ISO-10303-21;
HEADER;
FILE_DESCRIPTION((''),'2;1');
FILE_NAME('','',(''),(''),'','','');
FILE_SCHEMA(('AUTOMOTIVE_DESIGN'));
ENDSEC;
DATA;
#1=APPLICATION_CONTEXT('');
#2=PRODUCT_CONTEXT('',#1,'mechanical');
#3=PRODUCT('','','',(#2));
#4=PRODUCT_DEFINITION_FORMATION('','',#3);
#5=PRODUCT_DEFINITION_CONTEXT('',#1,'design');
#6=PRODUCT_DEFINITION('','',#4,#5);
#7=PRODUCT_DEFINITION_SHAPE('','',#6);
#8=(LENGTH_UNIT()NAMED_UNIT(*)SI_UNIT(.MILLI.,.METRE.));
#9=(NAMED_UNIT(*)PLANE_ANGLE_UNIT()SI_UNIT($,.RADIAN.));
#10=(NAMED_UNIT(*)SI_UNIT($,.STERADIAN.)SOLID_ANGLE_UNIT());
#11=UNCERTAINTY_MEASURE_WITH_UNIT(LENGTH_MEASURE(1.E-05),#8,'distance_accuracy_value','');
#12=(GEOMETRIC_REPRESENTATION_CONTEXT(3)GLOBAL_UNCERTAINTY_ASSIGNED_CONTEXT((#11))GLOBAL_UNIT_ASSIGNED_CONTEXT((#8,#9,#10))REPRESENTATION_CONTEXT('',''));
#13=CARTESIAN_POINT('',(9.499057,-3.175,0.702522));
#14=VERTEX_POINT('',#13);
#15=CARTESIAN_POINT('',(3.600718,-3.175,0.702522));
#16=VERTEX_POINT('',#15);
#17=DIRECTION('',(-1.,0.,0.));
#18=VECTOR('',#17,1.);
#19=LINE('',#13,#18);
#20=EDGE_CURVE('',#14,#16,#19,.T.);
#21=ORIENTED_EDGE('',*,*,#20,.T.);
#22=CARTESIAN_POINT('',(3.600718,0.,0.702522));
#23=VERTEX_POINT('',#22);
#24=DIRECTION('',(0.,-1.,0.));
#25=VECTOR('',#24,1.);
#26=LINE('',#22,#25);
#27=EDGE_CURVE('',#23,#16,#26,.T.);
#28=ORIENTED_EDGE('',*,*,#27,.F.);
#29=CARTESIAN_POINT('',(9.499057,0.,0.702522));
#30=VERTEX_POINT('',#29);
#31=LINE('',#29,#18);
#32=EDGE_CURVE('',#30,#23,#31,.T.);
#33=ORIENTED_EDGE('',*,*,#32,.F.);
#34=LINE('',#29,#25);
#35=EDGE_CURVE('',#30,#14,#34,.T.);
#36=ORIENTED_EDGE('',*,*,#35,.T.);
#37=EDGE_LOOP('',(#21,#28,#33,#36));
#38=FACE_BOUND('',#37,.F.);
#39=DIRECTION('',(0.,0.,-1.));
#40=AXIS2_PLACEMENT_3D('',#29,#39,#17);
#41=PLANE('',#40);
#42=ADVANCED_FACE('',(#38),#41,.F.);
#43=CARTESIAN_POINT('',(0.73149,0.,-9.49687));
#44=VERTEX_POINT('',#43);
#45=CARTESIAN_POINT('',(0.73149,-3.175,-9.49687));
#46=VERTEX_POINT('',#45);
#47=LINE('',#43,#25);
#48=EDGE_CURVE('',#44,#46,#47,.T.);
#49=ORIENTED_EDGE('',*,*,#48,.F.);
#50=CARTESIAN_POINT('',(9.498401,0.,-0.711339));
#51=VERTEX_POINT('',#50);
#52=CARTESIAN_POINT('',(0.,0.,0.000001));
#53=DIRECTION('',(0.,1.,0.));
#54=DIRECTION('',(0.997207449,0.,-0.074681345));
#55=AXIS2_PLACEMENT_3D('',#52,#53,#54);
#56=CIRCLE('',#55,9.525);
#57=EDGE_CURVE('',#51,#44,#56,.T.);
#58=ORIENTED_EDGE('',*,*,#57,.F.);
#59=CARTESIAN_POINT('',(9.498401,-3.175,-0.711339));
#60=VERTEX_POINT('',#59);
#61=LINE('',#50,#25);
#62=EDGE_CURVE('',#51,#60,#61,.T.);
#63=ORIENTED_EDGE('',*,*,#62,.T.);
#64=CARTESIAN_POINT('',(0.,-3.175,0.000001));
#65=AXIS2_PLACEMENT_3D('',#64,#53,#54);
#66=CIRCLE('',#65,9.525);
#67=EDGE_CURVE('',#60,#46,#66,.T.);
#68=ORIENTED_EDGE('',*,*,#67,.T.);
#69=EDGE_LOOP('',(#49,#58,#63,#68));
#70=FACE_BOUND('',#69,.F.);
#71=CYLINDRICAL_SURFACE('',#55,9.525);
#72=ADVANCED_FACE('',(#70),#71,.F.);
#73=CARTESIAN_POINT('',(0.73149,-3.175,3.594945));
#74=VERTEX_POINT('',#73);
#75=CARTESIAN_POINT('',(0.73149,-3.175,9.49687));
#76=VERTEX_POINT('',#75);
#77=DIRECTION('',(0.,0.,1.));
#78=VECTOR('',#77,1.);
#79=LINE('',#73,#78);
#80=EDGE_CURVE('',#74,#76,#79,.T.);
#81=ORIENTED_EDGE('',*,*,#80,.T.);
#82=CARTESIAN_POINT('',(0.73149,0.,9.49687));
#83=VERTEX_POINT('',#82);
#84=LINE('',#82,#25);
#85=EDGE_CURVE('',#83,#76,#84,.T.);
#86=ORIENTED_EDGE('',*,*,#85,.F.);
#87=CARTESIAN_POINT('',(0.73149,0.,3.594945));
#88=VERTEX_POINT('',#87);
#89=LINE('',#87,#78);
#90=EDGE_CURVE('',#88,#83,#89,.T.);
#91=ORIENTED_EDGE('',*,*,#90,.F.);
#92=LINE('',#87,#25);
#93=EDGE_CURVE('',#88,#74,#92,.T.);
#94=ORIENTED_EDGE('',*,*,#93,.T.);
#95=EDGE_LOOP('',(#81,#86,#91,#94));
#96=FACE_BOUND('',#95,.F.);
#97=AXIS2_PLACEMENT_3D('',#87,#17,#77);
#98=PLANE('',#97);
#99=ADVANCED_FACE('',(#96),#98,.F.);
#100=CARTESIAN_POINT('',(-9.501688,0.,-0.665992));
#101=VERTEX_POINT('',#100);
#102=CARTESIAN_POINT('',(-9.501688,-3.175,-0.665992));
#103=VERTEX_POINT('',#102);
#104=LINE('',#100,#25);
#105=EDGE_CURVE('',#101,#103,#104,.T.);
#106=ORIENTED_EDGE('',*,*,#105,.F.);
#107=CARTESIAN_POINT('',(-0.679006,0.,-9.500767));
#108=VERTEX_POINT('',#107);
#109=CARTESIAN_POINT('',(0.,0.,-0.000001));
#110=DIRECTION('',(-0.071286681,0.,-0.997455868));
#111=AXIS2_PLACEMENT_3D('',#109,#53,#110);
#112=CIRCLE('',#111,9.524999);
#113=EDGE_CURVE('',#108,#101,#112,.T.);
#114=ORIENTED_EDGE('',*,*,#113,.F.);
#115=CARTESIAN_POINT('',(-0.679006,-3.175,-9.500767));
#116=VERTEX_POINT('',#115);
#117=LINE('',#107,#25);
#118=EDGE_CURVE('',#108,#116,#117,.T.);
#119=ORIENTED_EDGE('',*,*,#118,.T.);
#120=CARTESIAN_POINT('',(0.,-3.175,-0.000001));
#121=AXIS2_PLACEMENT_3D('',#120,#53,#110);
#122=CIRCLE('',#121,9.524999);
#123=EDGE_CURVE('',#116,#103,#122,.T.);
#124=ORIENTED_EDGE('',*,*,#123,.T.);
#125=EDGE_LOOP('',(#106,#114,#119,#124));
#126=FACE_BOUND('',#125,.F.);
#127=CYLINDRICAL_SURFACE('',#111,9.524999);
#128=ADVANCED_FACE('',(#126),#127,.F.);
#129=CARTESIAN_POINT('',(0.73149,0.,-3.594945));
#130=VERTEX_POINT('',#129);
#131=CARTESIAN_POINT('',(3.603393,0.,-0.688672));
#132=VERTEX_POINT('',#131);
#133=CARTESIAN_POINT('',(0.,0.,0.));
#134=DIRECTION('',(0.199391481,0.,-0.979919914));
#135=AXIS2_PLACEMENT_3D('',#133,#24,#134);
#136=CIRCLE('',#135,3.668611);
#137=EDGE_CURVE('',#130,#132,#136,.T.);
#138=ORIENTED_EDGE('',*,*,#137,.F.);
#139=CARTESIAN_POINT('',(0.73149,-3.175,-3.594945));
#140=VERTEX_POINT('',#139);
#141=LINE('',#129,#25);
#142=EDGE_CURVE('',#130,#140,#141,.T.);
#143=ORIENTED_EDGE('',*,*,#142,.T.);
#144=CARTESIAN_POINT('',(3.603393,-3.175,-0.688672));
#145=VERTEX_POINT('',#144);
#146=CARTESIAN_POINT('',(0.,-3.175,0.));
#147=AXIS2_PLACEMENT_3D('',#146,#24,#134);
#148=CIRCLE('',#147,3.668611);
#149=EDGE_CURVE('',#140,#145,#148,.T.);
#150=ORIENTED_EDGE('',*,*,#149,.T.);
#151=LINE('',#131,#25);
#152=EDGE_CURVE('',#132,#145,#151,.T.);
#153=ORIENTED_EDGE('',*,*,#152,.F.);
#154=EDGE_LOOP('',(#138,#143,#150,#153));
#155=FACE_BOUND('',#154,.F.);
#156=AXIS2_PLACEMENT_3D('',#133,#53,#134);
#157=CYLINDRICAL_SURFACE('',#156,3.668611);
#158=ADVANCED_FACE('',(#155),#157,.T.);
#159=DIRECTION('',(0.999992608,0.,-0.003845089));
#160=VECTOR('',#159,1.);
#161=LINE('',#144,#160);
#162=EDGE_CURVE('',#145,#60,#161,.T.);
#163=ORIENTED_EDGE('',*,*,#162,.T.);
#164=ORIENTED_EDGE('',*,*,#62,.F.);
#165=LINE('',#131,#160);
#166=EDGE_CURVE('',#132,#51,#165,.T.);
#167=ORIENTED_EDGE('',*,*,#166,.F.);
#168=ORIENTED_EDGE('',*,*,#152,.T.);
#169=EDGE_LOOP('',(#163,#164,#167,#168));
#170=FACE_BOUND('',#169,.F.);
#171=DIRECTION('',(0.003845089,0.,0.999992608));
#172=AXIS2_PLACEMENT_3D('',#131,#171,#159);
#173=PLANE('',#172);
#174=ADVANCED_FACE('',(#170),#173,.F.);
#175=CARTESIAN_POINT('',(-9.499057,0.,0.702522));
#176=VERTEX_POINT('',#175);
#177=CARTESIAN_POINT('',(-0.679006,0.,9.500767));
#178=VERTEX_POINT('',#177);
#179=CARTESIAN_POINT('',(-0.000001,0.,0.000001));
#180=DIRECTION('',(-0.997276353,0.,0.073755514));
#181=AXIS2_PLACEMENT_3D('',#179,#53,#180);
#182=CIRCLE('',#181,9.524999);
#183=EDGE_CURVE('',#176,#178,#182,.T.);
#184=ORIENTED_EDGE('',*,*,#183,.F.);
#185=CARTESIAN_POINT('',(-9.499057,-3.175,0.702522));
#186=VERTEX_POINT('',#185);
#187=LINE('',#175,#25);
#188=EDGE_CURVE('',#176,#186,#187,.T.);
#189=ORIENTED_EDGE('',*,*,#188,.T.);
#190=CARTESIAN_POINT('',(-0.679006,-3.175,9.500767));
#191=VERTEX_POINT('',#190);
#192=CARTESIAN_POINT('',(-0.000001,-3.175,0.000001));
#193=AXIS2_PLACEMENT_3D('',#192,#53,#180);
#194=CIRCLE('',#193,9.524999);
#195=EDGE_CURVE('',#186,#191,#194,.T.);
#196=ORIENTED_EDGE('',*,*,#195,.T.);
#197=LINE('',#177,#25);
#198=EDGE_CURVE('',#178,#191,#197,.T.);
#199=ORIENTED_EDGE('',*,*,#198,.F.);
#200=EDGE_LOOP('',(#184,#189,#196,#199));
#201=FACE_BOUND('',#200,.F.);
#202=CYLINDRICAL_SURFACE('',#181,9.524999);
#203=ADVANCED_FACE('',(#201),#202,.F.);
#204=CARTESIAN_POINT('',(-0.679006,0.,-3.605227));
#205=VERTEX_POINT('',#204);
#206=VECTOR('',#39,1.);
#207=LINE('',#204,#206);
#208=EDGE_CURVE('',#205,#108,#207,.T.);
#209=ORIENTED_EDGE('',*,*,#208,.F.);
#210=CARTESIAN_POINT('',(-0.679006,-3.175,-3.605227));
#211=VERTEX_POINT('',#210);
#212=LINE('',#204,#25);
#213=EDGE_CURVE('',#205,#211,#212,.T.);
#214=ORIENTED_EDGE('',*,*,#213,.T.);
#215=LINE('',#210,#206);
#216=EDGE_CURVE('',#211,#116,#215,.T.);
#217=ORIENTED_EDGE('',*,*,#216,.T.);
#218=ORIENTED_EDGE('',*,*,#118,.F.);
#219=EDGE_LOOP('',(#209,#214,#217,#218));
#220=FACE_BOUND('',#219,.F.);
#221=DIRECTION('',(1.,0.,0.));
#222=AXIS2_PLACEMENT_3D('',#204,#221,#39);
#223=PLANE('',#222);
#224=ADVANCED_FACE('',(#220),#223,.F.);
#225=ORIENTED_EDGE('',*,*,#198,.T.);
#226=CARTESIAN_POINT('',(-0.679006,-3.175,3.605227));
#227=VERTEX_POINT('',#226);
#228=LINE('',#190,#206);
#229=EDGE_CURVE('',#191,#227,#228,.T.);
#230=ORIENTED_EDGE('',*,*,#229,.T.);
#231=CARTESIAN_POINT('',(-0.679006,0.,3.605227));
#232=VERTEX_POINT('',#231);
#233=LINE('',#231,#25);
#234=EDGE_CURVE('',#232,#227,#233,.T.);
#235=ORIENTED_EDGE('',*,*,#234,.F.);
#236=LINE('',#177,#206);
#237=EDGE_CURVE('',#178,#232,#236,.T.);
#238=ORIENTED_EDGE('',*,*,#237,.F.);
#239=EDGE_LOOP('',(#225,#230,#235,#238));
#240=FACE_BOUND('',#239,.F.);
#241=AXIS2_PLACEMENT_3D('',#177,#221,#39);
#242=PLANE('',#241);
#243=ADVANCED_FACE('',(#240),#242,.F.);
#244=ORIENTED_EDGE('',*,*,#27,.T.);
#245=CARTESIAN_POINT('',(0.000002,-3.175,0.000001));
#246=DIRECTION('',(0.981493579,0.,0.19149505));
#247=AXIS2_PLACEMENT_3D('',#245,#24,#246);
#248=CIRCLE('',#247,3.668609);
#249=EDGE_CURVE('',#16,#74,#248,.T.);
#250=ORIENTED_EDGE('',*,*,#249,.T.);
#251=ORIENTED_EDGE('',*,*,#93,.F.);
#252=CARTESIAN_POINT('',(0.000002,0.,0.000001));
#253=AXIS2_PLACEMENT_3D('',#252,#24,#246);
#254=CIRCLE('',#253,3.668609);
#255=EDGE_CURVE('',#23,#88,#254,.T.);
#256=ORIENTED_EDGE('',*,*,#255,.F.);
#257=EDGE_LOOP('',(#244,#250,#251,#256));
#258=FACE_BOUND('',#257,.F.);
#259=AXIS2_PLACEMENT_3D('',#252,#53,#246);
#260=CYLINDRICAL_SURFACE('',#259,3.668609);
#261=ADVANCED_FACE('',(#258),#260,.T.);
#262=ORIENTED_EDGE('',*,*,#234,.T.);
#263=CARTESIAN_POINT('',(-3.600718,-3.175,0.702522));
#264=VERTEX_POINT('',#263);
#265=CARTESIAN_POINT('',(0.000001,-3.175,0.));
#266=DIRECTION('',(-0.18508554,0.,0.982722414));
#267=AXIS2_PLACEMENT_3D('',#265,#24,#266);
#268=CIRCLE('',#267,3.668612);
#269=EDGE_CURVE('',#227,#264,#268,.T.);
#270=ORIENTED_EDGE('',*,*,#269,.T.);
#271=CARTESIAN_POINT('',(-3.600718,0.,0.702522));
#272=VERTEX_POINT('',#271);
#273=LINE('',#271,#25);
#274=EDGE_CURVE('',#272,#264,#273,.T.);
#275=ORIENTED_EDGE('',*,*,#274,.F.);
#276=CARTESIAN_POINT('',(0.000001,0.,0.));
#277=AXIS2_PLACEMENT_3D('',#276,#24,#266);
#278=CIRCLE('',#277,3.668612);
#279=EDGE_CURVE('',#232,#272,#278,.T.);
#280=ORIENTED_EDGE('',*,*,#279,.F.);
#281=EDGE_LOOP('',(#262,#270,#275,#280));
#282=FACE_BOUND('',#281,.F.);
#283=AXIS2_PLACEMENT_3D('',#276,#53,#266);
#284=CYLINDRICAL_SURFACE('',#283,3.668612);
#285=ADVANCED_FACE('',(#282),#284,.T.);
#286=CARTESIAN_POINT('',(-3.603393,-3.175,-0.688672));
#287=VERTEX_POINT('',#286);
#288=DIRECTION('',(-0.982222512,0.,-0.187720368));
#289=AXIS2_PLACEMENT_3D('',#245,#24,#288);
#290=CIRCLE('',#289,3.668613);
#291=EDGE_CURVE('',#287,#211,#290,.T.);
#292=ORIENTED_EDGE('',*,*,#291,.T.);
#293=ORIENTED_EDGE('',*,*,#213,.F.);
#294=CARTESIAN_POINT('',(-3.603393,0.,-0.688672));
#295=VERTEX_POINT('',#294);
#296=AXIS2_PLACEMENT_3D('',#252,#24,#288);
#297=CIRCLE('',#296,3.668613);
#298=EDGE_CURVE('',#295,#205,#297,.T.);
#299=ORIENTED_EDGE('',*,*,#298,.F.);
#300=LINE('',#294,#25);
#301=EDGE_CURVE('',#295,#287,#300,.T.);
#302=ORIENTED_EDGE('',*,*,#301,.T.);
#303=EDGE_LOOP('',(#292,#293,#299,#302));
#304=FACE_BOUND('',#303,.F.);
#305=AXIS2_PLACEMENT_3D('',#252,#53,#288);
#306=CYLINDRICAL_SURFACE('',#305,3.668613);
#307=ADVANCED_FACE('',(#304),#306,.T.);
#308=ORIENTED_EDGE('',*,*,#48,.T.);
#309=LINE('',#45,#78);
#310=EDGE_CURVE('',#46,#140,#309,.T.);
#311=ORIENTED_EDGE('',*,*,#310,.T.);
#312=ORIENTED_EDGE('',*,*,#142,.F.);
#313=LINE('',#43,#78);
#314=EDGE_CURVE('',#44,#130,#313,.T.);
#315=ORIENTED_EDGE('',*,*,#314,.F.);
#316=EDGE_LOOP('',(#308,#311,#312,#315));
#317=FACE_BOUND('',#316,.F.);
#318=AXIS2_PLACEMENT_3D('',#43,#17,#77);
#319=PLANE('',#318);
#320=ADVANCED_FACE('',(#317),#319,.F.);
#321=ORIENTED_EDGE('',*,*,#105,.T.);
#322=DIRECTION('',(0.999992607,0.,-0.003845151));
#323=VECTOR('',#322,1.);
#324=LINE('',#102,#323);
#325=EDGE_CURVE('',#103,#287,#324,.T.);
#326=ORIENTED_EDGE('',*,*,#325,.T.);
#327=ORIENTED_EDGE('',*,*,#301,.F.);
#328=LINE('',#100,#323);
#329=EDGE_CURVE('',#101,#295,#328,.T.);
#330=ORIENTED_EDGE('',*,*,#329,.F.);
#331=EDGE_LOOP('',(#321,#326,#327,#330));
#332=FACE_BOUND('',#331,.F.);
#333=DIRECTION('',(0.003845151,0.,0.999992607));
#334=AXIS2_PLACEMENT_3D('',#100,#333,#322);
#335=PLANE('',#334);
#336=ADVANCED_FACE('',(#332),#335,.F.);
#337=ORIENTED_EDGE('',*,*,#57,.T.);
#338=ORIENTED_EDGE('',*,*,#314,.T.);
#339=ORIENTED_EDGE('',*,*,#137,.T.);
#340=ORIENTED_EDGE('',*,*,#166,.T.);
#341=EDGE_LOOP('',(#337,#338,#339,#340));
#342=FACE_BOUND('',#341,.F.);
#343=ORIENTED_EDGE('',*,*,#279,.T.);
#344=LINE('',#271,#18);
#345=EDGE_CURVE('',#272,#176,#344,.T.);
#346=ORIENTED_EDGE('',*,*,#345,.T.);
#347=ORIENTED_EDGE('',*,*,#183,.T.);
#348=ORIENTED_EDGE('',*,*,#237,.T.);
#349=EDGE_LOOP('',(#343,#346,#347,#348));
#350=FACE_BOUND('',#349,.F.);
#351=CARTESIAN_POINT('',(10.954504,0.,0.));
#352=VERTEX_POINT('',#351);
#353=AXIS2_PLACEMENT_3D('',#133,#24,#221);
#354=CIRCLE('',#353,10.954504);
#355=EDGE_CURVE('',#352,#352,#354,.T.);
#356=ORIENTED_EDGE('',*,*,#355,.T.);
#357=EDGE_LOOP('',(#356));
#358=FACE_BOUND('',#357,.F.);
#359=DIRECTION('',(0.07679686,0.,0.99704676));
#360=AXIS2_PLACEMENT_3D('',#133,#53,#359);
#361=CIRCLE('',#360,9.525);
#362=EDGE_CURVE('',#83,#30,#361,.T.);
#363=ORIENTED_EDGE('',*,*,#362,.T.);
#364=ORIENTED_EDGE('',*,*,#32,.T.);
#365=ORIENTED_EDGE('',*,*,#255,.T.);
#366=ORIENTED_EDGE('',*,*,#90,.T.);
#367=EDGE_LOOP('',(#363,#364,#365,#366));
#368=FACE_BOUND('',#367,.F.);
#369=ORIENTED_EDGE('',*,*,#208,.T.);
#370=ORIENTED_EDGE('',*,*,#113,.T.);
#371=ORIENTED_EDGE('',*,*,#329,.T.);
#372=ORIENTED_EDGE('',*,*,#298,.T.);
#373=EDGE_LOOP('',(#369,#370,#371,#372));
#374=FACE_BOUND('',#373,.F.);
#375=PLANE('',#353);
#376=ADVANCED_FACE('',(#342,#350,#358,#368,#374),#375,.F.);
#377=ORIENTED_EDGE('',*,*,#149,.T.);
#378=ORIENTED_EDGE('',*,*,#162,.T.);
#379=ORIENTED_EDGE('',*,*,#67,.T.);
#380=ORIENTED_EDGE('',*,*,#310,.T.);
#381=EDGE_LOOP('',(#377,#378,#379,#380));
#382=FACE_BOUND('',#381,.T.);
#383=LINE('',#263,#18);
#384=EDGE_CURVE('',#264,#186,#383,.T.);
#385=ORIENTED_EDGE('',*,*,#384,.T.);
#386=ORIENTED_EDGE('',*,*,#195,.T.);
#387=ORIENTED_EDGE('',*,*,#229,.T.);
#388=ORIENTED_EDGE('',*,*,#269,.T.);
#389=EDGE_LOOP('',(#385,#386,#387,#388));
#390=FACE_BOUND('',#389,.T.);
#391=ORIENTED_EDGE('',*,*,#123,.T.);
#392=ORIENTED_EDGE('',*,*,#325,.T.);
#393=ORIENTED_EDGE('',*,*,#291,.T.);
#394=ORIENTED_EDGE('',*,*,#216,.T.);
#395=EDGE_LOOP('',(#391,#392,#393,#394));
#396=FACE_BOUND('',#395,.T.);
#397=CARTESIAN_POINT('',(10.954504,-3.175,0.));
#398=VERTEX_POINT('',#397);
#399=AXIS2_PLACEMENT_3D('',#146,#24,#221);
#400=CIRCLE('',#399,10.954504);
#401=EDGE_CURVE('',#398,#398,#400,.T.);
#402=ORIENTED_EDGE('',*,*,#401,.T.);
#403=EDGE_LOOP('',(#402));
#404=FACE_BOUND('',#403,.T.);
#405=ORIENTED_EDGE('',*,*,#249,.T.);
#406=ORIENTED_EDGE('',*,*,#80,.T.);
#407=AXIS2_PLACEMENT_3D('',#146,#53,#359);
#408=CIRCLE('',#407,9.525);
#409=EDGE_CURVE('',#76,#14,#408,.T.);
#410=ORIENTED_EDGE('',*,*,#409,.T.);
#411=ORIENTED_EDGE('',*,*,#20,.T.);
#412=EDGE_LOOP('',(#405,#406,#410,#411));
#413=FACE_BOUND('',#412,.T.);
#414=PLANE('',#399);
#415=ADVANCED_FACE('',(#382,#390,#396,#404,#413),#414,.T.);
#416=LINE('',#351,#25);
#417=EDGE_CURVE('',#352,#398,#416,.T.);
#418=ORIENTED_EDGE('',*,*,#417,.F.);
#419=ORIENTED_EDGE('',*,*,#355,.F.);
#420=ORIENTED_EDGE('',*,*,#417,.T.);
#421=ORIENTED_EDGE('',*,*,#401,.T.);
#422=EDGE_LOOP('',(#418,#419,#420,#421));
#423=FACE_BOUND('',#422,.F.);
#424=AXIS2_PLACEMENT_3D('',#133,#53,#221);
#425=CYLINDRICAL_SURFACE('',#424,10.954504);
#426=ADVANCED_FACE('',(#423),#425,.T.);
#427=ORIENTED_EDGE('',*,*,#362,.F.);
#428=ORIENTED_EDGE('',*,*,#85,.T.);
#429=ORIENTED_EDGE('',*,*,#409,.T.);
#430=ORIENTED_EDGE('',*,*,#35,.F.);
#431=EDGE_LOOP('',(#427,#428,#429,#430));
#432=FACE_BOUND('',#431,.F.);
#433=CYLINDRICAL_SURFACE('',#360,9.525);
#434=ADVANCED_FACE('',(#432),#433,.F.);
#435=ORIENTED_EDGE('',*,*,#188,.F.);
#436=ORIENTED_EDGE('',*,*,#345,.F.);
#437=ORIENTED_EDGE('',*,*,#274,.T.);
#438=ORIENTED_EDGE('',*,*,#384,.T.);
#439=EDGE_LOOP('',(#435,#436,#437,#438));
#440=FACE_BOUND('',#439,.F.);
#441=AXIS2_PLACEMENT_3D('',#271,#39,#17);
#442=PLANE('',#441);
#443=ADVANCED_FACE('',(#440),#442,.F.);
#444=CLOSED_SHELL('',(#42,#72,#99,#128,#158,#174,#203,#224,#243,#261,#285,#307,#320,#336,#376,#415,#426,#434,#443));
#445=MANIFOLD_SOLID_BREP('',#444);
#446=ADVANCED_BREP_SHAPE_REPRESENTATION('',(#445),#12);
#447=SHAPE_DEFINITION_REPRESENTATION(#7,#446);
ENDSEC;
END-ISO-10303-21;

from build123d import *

# Parameters (mm, degrees)
F0_R     = 10.954504
F1_DEPTH = 3.175


with BuildPart() as f1:
    # F0 (on Front) → F1 (new body)
    with BuildSketch(Plane.XZ):
        Circle(F0_R)
        with BuildLine():
            ThreePointArc((9.499057, 0.702522), (9.518512, 0.3515), (9.525, 0))
            ThreePointArc((9.525, 0), (9.518348, -0.355918), (9.498401, -0.711339))
            ThreePointArc((9.498401, -0.711339), (6.742333, -6.728043), (0.73149, -9.49687))
            ThreePointArc((0.73149, -9.49687), (0.026314, -9.524964), (-0.679006, -9.500767))
            ThreePointArc((-0.679006, -9.500767), (-6.739803, -6.730578), (-9.501688, -0.665992))
            ThreePointArc((-9.501688, -0.665992), (-9.524982, 0.018312), (-9.499057, 0.702522))
            ThreePointArc((-9.499057, 0.702522), (-6.726851, 6.743523), (-0.679006, 9.500767))
            ThreePointArc((-0.679006, 9.500767), (0.026314, 9.524964), (0.73149, 9.49687))
            ThreePointArc((0.73149, 9.49687), (6.745455, 6.724913), (9.499057, 0.702522))
        make_face(mode=Mode.SUBTRACT)
        with BuildLine():
            ThreePointArc((3.668611, 0), (3.651599, 0.352898), (3.600718, 0.702522))
            ThreePointArc((3.600718, 0.702522), (2.604522, 2.583636), (0.73149, 3.594945))
            ThreePointArc((0.73149, 3.594945), (0.026741, 3.668514), (-0.679006, 3.605227))
            ThreePointArc((-0.679006, 3.605227), (-2.58562, 2.602552), (-3.600718, 0.702522))
            ThreePointArc((-3.600718, 0.702522), (-3.668605, 0.007053), (-3.603393, -0.688672))
            ThreePointArc((-3.603393, -0.688672), (-2.590619, -2.597576), (-0.679006, -3.605227))
            ThreePointArc((-0.679006, -3.605227), (0.026741, -3.668514), (0.73149, -3.594945))
            ThreePointArc((0.73149, -3.594945), (2.609484, -2.578624), (3.603393, -0.688672))
            ThreePointArc((3.603393, -0.688672), (3.65227, -0.345877), (3.668611, 0))
        make_face()
        with BuildLine():
            ThreePointArc((-0.679006, -9.500767), (0.026314, -9.524964), (0.73149, -9.49687))
            Line((0.73149, -9.49687), (0.73149, -3.594945))
            ThreePointArc((0.73149, -3.594945), (0.026741, -3.668514), (-0.679006, -3.605227))
            Line((-0.679006, -3.605227), (-0.679006, -9.500767))
        make_face()
        with BuildLine():
            Line((-3.600718, 0.702522), (-9.499057, 0.702522))
            ThreePointArc((-9.499057, 0.702522), (-9.524982, 0.018312), (-9.501688, -0.665992))
            Line((-9.501688, -0.665992), (-3.603393, -0.688672))
            ThreePointArc((-3.603393, -0.688672), (-3.668605, 0.007053), (-3.600718, 0.702522))
        make_face()
        with BuildLine():
            ThreePointArc((9.498401, -0.711339), (9.518348, -0.355918), (9.525, 0))
            ThreePointArc((9.525, 0), (9.518512, 0.3515), (9.499057, 0.702522))
            Line((9.499057, 0.702522), (3.600718, 0.702522))
            ThreePointArc((3.600718, 0.702522), (3.651599, 0.352898), (3.668611, 0))
            ThreePointArc((3.668611, 0), (3.65227, -0.345877), (3.603393, -0.688672))
            Line((3.603393, -0.688672), (9.498401, -0.711339))
        make_face()
        with BuildLine():
            Line((0.73149, 3.594945), (0.73149, 9.49687))
            ThreePointArc((0.73149, 9.49687), (0.026314, 9.524964), (-0.679006, 9.500767))
            Line((-0.679006, 9.500767), (-0.679006, 3.605227))
            ThreePointArc((-0.679006, 3.605227), (0.026741, 3.668514), (0.73149, 3.594945))
        make_face()
    extrude(amount=F1_DEPTH)


solid = f1.part
